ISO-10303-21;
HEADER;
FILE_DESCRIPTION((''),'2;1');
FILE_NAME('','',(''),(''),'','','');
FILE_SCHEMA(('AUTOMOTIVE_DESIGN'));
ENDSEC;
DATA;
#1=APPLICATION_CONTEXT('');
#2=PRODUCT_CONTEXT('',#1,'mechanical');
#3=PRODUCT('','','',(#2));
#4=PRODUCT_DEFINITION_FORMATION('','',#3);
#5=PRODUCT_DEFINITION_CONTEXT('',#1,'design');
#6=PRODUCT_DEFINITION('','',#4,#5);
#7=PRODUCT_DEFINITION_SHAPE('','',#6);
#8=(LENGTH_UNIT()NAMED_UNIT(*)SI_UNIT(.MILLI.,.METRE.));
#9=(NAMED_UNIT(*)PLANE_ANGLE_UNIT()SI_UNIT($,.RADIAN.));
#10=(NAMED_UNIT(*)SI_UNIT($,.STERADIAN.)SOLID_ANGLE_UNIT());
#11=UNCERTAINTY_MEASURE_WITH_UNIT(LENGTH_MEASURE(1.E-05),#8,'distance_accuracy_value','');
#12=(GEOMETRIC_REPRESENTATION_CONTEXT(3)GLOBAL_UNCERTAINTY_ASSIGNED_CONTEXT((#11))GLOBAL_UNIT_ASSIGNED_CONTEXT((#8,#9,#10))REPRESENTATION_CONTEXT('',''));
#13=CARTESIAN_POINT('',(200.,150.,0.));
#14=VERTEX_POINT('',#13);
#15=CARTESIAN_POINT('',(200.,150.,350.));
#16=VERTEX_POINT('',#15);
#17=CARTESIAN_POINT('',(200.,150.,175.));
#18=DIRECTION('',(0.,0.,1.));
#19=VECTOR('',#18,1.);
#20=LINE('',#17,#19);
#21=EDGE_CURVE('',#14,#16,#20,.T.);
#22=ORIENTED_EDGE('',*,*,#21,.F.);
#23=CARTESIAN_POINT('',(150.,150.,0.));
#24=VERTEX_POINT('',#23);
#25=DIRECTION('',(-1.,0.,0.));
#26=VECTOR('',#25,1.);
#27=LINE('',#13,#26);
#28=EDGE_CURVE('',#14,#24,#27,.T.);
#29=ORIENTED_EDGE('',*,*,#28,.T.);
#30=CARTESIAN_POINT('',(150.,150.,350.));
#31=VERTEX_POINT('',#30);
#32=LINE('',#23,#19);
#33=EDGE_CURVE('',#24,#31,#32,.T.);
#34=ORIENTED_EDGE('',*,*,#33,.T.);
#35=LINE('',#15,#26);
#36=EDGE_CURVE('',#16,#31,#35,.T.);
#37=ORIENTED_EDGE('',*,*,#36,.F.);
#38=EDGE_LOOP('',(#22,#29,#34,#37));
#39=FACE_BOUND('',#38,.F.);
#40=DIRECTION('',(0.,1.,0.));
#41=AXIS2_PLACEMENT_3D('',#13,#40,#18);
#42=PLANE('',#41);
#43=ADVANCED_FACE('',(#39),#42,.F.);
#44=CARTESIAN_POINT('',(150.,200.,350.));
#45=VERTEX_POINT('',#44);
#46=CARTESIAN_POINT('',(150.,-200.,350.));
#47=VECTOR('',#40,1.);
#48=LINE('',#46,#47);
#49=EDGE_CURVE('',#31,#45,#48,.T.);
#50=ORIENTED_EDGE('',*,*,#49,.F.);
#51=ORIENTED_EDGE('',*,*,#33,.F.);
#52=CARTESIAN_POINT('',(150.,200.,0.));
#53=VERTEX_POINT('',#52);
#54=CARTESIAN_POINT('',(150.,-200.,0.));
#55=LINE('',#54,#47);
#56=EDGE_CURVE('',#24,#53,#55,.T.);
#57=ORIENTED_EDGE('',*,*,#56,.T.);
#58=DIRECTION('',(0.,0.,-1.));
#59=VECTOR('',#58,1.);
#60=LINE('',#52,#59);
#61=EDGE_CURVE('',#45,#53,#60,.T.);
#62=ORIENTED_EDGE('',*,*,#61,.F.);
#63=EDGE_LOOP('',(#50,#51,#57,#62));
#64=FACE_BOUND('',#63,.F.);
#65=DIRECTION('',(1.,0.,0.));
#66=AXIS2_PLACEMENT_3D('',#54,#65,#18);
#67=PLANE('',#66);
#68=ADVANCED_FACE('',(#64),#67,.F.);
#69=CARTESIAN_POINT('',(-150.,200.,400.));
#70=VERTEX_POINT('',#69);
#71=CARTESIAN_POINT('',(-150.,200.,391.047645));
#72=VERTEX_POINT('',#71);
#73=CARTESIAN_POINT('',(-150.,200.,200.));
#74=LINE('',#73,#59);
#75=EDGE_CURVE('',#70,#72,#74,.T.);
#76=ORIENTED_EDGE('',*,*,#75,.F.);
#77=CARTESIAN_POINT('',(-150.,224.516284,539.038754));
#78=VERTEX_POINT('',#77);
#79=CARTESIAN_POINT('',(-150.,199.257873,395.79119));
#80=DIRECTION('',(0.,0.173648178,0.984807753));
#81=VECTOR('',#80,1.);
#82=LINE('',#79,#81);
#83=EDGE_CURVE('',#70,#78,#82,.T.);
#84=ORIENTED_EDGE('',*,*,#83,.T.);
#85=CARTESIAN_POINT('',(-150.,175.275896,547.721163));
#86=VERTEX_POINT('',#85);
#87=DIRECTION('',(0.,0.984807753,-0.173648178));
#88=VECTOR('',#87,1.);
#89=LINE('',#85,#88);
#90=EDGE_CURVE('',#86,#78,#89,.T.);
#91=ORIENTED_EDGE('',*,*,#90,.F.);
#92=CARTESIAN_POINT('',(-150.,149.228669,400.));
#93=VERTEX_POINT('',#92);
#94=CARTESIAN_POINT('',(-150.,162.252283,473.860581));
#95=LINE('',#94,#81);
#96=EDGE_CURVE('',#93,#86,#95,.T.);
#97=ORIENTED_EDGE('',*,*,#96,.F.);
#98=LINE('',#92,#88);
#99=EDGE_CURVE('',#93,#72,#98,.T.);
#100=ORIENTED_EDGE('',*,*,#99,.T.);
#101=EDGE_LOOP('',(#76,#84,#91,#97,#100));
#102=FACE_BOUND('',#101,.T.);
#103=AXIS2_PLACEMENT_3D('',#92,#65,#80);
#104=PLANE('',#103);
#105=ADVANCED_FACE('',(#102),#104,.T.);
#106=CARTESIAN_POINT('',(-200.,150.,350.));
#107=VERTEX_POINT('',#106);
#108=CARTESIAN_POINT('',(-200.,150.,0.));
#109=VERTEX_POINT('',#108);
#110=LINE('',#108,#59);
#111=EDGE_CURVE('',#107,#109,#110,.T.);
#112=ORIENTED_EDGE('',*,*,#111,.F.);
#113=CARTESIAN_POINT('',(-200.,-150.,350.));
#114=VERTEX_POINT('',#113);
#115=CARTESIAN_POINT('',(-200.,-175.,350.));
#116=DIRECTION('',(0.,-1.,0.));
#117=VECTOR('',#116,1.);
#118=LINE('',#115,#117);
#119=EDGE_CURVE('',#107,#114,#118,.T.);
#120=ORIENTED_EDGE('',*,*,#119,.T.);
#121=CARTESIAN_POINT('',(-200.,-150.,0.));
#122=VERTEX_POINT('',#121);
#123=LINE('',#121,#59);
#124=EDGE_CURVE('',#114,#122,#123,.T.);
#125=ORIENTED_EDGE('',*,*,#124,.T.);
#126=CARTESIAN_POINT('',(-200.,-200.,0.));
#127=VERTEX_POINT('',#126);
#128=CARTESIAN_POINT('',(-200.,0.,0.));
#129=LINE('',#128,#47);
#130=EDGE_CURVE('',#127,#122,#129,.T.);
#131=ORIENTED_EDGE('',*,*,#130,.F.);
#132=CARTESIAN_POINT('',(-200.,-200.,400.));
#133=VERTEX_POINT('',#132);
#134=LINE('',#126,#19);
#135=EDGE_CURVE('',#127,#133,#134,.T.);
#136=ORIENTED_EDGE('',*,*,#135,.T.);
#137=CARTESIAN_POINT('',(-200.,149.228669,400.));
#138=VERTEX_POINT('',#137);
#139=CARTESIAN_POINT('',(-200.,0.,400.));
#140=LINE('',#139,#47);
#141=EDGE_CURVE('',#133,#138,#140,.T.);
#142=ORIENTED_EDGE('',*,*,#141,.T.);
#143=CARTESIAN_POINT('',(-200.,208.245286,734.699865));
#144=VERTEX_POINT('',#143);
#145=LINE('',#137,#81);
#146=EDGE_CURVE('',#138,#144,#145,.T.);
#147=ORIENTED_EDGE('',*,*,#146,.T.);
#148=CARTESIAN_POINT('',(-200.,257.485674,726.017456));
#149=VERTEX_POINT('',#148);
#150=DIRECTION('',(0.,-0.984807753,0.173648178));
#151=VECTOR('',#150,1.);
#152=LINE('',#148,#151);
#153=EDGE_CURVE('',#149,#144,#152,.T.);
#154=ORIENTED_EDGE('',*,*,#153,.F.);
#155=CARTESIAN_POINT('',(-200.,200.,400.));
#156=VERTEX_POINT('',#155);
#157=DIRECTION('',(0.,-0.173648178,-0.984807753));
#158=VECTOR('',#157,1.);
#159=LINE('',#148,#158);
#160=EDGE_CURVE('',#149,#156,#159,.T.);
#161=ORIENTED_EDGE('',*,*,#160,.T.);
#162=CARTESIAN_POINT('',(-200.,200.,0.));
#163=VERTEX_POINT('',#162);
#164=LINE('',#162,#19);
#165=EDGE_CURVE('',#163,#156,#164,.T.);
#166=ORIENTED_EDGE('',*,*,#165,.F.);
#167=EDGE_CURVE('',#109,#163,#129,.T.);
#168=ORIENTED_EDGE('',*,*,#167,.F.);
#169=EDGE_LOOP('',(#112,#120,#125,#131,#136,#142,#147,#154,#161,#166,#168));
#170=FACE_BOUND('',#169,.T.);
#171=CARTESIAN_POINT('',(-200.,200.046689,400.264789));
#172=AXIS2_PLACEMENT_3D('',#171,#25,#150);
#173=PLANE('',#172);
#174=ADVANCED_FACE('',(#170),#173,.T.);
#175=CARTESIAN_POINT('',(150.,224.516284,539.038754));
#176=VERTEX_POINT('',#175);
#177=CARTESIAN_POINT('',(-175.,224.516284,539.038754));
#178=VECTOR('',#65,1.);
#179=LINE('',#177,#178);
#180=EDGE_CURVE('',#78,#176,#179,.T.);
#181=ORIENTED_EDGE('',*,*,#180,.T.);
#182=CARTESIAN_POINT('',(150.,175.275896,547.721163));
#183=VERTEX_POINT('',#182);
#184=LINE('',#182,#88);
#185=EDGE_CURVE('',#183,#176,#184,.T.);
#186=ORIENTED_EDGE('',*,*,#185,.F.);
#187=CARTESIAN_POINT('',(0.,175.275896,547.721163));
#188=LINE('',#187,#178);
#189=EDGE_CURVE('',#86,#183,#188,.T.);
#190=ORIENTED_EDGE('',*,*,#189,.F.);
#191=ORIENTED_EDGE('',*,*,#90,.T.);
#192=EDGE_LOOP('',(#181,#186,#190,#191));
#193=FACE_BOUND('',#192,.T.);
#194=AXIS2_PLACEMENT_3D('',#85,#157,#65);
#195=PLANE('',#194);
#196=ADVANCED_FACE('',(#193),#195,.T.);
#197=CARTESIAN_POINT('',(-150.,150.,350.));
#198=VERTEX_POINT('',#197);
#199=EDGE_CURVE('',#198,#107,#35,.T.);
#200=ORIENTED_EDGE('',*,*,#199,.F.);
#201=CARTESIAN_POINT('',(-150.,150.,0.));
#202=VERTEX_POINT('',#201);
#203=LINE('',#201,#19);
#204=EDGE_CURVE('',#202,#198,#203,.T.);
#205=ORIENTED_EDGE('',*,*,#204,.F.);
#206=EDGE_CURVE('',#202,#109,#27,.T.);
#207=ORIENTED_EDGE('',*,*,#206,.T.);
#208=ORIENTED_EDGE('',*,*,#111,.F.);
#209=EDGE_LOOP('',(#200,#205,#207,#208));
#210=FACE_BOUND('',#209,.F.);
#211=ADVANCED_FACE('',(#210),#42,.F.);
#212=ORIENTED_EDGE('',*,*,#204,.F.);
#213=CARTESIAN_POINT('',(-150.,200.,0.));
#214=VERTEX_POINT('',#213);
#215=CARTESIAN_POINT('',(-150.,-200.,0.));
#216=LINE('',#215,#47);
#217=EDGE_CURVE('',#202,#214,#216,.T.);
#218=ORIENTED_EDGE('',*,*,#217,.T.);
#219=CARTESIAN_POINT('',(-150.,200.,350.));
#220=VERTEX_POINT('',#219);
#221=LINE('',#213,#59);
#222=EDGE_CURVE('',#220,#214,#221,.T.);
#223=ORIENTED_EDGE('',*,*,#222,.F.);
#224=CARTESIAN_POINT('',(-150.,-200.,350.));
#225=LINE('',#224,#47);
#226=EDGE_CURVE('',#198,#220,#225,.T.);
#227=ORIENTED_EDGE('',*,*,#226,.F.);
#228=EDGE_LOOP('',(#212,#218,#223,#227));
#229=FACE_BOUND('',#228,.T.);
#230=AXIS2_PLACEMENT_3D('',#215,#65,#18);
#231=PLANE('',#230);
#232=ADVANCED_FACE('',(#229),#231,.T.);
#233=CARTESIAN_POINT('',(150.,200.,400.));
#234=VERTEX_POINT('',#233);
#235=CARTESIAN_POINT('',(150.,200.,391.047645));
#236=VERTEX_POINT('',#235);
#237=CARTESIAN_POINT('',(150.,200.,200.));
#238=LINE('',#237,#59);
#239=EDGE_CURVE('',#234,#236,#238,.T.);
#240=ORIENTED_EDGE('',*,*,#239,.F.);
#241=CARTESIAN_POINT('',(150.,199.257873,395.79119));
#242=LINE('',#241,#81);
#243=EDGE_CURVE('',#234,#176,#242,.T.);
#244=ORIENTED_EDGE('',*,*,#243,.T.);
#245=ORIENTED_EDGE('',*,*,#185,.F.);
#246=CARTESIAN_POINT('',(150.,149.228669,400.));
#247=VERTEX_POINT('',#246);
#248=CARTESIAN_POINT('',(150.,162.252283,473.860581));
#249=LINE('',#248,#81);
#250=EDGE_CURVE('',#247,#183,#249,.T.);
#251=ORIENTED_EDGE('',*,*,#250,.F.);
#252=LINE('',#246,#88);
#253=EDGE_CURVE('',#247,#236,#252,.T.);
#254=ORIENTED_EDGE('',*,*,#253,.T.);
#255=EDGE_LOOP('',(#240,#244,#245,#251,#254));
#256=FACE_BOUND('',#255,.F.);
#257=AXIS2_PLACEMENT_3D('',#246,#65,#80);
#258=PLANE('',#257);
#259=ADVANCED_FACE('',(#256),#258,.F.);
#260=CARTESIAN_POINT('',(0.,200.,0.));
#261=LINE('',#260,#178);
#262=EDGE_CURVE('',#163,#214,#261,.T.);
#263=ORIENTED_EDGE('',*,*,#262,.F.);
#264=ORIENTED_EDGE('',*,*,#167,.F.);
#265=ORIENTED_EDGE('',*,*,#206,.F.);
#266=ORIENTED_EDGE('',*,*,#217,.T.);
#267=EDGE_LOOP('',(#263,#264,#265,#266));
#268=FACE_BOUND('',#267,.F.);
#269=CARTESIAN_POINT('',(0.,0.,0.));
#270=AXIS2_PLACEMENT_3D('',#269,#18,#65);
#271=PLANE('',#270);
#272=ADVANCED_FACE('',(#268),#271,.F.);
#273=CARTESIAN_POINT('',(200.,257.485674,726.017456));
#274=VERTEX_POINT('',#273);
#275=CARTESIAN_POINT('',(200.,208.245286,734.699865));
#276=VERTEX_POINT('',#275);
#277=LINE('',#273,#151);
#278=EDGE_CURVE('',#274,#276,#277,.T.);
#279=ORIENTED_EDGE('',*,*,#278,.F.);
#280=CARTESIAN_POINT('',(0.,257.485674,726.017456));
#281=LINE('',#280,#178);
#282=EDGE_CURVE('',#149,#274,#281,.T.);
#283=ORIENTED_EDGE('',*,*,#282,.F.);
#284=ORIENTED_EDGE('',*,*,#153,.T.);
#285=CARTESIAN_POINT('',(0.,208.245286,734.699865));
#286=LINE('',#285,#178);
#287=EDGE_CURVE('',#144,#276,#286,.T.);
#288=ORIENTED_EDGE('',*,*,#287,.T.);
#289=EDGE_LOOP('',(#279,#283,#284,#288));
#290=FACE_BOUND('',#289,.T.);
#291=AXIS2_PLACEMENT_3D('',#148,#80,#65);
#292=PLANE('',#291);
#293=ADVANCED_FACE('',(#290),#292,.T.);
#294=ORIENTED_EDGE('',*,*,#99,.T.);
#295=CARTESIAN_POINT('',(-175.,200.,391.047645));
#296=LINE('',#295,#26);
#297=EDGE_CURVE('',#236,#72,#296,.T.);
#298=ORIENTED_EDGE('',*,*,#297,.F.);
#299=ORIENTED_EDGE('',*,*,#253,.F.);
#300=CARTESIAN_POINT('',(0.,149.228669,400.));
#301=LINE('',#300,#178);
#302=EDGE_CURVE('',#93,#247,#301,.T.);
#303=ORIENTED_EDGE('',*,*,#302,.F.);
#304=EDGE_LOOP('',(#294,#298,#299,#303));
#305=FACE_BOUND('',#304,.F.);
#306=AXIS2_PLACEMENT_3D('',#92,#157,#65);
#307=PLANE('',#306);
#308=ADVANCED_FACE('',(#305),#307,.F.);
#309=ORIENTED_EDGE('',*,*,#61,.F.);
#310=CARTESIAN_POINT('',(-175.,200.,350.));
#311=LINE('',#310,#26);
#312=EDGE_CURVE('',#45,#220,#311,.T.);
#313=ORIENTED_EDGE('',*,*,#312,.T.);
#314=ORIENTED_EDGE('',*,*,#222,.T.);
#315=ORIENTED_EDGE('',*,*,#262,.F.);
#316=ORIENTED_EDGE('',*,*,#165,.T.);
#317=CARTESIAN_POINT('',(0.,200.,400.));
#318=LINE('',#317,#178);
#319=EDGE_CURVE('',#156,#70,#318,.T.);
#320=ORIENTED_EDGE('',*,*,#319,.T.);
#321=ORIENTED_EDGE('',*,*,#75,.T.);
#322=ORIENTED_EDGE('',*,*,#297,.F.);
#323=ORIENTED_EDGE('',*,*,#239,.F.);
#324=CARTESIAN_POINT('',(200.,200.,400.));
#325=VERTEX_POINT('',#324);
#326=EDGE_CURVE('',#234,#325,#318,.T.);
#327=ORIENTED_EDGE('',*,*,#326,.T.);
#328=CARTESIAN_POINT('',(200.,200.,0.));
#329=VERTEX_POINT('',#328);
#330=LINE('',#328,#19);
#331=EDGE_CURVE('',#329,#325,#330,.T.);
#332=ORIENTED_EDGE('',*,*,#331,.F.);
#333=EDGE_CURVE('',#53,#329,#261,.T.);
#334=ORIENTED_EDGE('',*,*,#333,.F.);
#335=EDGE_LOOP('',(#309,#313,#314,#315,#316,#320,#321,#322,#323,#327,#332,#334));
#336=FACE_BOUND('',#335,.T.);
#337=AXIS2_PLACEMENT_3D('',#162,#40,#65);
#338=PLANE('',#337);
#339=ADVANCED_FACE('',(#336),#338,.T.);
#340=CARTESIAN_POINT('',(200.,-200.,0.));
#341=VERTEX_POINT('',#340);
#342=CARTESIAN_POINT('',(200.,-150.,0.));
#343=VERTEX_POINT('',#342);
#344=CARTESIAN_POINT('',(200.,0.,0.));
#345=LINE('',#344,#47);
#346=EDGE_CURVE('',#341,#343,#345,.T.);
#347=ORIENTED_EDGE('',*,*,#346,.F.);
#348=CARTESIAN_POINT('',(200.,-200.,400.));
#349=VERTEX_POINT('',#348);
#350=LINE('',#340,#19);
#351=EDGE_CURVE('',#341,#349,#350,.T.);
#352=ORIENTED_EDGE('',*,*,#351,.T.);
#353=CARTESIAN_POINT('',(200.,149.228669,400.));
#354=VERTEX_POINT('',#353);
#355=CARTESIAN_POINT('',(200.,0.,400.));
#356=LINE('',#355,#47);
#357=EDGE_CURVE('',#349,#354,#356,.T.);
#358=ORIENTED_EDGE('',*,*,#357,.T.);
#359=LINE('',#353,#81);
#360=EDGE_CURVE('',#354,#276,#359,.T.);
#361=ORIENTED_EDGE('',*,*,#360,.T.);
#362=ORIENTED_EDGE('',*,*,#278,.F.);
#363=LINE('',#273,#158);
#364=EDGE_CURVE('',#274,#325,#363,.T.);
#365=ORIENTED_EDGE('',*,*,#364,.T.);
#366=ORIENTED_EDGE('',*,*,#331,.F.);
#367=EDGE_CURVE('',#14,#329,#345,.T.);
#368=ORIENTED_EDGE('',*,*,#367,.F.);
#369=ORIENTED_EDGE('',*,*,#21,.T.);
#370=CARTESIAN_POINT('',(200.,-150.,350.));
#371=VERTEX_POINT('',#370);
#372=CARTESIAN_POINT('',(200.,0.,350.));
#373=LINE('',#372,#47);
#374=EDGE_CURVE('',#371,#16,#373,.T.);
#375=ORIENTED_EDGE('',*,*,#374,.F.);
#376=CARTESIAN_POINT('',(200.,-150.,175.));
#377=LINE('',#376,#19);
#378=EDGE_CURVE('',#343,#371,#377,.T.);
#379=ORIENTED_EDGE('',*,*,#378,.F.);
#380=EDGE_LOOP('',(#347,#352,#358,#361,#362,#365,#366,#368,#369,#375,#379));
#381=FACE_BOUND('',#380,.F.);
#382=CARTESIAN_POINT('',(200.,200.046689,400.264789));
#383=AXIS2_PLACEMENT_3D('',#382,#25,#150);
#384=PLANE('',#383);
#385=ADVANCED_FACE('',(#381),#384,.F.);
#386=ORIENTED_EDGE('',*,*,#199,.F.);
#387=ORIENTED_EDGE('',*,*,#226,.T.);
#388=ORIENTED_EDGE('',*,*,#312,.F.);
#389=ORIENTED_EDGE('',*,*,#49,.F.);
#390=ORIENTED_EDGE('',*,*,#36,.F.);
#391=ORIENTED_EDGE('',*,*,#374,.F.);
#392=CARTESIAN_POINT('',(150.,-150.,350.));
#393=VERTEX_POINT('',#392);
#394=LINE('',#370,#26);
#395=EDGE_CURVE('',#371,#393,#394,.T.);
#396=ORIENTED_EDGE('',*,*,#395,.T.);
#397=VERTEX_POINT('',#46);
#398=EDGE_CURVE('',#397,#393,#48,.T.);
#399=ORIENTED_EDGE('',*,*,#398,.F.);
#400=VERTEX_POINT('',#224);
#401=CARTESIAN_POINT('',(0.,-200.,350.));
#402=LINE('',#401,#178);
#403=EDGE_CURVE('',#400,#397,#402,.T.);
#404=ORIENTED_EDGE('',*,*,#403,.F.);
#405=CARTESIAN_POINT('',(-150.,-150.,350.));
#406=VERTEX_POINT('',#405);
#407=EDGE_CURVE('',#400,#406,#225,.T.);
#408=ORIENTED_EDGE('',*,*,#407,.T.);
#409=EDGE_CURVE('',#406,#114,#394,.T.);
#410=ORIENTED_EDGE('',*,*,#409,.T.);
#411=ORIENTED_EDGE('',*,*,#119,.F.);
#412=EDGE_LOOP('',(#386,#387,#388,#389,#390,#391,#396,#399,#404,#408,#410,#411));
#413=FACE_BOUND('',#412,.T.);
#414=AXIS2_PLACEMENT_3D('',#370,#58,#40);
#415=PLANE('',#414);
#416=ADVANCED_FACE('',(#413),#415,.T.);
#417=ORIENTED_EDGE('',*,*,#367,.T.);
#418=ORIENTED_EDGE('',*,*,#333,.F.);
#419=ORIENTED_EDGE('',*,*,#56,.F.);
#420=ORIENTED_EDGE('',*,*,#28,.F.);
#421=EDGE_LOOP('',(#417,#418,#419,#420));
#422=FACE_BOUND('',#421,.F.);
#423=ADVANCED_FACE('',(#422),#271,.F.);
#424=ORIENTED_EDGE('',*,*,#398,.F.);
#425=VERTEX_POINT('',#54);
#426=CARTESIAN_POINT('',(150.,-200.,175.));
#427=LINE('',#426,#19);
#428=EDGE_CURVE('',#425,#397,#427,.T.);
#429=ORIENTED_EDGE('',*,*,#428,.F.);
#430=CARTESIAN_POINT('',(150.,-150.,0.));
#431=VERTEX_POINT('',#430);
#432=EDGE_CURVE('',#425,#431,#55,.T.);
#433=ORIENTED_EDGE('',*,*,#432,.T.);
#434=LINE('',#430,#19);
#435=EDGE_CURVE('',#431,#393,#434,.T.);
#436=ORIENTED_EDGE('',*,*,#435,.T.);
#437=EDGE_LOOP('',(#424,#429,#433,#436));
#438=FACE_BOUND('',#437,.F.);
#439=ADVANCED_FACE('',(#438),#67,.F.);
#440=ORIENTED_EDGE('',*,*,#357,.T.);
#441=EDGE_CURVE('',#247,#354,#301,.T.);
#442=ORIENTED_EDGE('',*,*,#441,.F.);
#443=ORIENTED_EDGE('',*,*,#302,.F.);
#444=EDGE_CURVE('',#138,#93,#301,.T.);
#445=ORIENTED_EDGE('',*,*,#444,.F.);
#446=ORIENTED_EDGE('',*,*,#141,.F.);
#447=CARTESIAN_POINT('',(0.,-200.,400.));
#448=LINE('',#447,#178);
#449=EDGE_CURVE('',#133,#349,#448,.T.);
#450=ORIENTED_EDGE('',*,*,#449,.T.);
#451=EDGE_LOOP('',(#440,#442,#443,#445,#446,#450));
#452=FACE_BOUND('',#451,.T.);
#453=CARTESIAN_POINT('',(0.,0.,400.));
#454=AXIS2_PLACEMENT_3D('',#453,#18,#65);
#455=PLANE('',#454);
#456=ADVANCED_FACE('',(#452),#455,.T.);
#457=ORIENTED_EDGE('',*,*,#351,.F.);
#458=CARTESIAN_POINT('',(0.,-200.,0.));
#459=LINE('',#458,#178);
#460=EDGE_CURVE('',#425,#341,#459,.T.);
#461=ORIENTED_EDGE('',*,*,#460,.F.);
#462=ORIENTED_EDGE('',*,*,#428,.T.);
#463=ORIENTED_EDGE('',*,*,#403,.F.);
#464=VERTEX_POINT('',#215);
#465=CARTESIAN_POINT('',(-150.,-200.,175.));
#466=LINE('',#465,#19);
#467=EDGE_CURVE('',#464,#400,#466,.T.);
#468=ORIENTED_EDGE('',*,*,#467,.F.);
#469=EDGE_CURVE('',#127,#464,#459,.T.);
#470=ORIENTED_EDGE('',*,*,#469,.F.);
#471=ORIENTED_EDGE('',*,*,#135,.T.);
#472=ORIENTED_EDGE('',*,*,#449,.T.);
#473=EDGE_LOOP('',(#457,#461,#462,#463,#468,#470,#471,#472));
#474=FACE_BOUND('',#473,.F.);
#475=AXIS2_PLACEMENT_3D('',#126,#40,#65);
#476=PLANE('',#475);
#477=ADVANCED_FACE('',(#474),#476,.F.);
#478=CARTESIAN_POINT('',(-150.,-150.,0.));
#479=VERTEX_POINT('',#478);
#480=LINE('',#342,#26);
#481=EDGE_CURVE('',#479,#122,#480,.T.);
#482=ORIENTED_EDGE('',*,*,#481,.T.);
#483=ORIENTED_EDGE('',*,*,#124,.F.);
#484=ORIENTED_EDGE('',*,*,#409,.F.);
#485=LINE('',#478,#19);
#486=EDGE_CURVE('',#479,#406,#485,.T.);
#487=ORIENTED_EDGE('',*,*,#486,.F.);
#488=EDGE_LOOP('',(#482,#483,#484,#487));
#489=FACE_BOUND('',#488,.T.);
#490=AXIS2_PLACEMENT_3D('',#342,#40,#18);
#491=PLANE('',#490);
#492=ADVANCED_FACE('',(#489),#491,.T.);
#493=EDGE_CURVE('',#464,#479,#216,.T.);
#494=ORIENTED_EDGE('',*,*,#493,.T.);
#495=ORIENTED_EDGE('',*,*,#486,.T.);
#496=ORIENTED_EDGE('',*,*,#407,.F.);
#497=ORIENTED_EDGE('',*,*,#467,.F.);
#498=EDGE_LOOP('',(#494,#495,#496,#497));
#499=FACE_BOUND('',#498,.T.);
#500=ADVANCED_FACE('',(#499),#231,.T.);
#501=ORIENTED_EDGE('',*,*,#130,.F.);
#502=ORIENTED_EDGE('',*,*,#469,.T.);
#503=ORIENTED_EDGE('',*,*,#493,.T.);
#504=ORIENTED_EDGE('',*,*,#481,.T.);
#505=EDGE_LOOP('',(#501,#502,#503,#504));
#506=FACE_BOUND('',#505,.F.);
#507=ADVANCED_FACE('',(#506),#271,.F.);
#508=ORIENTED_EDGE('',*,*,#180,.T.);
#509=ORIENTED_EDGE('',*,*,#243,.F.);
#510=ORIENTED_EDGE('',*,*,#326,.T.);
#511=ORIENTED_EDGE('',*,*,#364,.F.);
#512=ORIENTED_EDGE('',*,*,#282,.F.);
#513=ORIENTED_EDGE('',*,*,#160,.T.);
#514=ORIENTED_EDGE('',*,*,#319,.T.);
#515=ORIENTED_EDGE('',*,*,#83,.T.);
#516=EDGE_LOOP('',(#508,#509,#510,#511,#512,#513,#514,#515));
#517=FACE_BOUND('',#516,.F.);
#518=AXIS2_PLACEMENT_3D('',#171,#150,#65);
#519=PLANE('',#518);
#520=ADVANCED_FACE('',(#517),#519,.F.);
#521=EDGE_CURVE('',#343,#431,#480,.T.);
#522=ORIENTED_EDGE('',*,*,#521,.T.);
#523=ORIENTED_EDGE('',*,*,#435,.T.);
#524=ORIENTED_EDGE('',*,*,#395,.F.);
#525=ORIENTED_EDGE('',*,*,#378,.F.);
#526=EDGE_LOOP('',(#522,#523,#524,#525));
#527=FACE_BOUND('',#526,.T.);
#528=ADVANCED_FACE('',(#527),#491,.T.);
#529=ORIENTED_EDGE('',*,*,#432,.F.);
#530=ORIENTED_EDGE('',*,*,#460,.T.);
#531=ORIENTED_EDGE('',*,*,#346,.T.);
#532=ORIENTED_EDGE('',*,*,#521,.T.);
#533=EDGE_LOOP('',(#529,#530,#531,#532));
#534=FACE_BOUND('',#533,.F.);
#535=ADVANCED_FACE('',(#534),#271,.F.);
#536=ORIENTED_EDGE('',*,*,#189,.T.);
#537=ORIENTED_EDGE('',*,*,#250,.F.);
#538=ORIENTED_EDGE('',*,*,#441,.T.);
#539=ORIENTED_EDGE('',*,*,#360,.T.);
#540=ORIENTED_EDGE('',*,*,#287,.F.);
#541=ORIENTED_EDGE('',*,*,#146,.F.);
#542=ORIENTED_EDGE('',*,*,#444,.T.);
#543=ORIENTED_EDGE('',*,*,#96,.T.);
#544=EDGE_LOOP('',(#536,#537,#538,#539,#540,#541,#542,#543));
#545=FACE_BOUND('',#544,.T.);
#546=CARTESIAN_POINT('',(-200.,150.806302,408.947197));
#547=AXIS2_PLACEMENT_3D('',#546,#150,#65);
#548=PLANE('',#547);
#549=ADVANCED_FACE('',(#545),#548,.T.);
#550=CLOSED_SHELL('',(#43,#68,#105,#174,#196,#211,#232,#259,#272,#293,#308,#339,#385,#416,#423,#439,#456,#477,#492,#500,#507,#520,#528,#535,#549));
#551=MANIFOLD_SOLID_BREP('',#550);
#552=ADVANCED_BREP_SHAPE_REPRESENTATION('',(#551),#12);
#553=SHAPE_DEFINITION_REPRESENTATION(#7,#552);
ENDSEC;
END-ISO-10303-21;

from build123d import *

# Parameters (mm, degrees)
F0_W      = 400
F0_H      = 400
F1_DEPTH  = 400
F2_W      = 300
F2_H      = 350
F3_DEPTH  = 400.001
F4_W      = 300
F4_H      = 350
F5_DEPTH  = 400.001
F8_W      = 400
F8_H      = 330.777927181
F9_DEPTH  = 50
F10_DEPTH = 9.0852224141
F11_W     = 300
F11_H     = 150
F12_DEPTH = 176.0726081542


with BuildPart() as f1:
    # F0 (on Top) → F1 (new body)
    with BuildSketch(Plane.XY):
        Rectangle(F0_W, F0_H)
    extrude(amount=F1_DEPTH)

    # F2 (on face) → F3 (cut, through all)
    with BuildSketch(Plane.XZ.offset(200)):
        with Locations((0, 175)):
            Rectangle(F2_W, F2_H)
    extrude(amount=-F3_DEPTH, mode=Mode.SUBTRACT)

    # F4 (on face) → F5 (cut, through all)
    with BuildSketch(Plane.YZ.offset(200)):
        with Locations((0, 175)):
            Rectangle(F4_W, F4_H)
    extrude(amount=-F5_DEPTH, mode=Mode.SUBTRACT)



with BuildPart() as f9:
    # F8 (on face) → F9 (new body)
    with BuildSketch(Plane(origin=(0, 125.5652334135, -22.1405384897), x_dir=(1, 0, 0), z_dir=(0, -0.984807753, 0.1736481777))):
        with Locations((0, 594.3105737075)):
            Rectangle(F8_W, F8_H)
    extrude(amount=F9_DEPTH)


with BuildPart() as f1_1:
    add(f1.part)
    # F10 (add, through all): a face of the model
    f10_faces = [f9.part.faces().sort_by_distance(p)[0] for p in [
        (0, 175.4264955469, 404.6059930296),
    ]]

    add(f9.part)  # F10 merges F9
    extrude(f10_faces, amount=F10_DEPTH)

    # F11 (on face) → F12 (cut, through all)
    with BuildSketch(Plane(origin=(0, 76.3248457628, -13.4581296064), x_dir=(1, 0, 0), z_dir=(0, -0.984807753, 0.1736481777))):
        with Locations((0, 494.8363877028)):
            Rectangle(F11_W, F11_H)
    extrude(amount=-F12_DEPTH, mode=Mode.SUBTRACT)


solid = f1_1.part
